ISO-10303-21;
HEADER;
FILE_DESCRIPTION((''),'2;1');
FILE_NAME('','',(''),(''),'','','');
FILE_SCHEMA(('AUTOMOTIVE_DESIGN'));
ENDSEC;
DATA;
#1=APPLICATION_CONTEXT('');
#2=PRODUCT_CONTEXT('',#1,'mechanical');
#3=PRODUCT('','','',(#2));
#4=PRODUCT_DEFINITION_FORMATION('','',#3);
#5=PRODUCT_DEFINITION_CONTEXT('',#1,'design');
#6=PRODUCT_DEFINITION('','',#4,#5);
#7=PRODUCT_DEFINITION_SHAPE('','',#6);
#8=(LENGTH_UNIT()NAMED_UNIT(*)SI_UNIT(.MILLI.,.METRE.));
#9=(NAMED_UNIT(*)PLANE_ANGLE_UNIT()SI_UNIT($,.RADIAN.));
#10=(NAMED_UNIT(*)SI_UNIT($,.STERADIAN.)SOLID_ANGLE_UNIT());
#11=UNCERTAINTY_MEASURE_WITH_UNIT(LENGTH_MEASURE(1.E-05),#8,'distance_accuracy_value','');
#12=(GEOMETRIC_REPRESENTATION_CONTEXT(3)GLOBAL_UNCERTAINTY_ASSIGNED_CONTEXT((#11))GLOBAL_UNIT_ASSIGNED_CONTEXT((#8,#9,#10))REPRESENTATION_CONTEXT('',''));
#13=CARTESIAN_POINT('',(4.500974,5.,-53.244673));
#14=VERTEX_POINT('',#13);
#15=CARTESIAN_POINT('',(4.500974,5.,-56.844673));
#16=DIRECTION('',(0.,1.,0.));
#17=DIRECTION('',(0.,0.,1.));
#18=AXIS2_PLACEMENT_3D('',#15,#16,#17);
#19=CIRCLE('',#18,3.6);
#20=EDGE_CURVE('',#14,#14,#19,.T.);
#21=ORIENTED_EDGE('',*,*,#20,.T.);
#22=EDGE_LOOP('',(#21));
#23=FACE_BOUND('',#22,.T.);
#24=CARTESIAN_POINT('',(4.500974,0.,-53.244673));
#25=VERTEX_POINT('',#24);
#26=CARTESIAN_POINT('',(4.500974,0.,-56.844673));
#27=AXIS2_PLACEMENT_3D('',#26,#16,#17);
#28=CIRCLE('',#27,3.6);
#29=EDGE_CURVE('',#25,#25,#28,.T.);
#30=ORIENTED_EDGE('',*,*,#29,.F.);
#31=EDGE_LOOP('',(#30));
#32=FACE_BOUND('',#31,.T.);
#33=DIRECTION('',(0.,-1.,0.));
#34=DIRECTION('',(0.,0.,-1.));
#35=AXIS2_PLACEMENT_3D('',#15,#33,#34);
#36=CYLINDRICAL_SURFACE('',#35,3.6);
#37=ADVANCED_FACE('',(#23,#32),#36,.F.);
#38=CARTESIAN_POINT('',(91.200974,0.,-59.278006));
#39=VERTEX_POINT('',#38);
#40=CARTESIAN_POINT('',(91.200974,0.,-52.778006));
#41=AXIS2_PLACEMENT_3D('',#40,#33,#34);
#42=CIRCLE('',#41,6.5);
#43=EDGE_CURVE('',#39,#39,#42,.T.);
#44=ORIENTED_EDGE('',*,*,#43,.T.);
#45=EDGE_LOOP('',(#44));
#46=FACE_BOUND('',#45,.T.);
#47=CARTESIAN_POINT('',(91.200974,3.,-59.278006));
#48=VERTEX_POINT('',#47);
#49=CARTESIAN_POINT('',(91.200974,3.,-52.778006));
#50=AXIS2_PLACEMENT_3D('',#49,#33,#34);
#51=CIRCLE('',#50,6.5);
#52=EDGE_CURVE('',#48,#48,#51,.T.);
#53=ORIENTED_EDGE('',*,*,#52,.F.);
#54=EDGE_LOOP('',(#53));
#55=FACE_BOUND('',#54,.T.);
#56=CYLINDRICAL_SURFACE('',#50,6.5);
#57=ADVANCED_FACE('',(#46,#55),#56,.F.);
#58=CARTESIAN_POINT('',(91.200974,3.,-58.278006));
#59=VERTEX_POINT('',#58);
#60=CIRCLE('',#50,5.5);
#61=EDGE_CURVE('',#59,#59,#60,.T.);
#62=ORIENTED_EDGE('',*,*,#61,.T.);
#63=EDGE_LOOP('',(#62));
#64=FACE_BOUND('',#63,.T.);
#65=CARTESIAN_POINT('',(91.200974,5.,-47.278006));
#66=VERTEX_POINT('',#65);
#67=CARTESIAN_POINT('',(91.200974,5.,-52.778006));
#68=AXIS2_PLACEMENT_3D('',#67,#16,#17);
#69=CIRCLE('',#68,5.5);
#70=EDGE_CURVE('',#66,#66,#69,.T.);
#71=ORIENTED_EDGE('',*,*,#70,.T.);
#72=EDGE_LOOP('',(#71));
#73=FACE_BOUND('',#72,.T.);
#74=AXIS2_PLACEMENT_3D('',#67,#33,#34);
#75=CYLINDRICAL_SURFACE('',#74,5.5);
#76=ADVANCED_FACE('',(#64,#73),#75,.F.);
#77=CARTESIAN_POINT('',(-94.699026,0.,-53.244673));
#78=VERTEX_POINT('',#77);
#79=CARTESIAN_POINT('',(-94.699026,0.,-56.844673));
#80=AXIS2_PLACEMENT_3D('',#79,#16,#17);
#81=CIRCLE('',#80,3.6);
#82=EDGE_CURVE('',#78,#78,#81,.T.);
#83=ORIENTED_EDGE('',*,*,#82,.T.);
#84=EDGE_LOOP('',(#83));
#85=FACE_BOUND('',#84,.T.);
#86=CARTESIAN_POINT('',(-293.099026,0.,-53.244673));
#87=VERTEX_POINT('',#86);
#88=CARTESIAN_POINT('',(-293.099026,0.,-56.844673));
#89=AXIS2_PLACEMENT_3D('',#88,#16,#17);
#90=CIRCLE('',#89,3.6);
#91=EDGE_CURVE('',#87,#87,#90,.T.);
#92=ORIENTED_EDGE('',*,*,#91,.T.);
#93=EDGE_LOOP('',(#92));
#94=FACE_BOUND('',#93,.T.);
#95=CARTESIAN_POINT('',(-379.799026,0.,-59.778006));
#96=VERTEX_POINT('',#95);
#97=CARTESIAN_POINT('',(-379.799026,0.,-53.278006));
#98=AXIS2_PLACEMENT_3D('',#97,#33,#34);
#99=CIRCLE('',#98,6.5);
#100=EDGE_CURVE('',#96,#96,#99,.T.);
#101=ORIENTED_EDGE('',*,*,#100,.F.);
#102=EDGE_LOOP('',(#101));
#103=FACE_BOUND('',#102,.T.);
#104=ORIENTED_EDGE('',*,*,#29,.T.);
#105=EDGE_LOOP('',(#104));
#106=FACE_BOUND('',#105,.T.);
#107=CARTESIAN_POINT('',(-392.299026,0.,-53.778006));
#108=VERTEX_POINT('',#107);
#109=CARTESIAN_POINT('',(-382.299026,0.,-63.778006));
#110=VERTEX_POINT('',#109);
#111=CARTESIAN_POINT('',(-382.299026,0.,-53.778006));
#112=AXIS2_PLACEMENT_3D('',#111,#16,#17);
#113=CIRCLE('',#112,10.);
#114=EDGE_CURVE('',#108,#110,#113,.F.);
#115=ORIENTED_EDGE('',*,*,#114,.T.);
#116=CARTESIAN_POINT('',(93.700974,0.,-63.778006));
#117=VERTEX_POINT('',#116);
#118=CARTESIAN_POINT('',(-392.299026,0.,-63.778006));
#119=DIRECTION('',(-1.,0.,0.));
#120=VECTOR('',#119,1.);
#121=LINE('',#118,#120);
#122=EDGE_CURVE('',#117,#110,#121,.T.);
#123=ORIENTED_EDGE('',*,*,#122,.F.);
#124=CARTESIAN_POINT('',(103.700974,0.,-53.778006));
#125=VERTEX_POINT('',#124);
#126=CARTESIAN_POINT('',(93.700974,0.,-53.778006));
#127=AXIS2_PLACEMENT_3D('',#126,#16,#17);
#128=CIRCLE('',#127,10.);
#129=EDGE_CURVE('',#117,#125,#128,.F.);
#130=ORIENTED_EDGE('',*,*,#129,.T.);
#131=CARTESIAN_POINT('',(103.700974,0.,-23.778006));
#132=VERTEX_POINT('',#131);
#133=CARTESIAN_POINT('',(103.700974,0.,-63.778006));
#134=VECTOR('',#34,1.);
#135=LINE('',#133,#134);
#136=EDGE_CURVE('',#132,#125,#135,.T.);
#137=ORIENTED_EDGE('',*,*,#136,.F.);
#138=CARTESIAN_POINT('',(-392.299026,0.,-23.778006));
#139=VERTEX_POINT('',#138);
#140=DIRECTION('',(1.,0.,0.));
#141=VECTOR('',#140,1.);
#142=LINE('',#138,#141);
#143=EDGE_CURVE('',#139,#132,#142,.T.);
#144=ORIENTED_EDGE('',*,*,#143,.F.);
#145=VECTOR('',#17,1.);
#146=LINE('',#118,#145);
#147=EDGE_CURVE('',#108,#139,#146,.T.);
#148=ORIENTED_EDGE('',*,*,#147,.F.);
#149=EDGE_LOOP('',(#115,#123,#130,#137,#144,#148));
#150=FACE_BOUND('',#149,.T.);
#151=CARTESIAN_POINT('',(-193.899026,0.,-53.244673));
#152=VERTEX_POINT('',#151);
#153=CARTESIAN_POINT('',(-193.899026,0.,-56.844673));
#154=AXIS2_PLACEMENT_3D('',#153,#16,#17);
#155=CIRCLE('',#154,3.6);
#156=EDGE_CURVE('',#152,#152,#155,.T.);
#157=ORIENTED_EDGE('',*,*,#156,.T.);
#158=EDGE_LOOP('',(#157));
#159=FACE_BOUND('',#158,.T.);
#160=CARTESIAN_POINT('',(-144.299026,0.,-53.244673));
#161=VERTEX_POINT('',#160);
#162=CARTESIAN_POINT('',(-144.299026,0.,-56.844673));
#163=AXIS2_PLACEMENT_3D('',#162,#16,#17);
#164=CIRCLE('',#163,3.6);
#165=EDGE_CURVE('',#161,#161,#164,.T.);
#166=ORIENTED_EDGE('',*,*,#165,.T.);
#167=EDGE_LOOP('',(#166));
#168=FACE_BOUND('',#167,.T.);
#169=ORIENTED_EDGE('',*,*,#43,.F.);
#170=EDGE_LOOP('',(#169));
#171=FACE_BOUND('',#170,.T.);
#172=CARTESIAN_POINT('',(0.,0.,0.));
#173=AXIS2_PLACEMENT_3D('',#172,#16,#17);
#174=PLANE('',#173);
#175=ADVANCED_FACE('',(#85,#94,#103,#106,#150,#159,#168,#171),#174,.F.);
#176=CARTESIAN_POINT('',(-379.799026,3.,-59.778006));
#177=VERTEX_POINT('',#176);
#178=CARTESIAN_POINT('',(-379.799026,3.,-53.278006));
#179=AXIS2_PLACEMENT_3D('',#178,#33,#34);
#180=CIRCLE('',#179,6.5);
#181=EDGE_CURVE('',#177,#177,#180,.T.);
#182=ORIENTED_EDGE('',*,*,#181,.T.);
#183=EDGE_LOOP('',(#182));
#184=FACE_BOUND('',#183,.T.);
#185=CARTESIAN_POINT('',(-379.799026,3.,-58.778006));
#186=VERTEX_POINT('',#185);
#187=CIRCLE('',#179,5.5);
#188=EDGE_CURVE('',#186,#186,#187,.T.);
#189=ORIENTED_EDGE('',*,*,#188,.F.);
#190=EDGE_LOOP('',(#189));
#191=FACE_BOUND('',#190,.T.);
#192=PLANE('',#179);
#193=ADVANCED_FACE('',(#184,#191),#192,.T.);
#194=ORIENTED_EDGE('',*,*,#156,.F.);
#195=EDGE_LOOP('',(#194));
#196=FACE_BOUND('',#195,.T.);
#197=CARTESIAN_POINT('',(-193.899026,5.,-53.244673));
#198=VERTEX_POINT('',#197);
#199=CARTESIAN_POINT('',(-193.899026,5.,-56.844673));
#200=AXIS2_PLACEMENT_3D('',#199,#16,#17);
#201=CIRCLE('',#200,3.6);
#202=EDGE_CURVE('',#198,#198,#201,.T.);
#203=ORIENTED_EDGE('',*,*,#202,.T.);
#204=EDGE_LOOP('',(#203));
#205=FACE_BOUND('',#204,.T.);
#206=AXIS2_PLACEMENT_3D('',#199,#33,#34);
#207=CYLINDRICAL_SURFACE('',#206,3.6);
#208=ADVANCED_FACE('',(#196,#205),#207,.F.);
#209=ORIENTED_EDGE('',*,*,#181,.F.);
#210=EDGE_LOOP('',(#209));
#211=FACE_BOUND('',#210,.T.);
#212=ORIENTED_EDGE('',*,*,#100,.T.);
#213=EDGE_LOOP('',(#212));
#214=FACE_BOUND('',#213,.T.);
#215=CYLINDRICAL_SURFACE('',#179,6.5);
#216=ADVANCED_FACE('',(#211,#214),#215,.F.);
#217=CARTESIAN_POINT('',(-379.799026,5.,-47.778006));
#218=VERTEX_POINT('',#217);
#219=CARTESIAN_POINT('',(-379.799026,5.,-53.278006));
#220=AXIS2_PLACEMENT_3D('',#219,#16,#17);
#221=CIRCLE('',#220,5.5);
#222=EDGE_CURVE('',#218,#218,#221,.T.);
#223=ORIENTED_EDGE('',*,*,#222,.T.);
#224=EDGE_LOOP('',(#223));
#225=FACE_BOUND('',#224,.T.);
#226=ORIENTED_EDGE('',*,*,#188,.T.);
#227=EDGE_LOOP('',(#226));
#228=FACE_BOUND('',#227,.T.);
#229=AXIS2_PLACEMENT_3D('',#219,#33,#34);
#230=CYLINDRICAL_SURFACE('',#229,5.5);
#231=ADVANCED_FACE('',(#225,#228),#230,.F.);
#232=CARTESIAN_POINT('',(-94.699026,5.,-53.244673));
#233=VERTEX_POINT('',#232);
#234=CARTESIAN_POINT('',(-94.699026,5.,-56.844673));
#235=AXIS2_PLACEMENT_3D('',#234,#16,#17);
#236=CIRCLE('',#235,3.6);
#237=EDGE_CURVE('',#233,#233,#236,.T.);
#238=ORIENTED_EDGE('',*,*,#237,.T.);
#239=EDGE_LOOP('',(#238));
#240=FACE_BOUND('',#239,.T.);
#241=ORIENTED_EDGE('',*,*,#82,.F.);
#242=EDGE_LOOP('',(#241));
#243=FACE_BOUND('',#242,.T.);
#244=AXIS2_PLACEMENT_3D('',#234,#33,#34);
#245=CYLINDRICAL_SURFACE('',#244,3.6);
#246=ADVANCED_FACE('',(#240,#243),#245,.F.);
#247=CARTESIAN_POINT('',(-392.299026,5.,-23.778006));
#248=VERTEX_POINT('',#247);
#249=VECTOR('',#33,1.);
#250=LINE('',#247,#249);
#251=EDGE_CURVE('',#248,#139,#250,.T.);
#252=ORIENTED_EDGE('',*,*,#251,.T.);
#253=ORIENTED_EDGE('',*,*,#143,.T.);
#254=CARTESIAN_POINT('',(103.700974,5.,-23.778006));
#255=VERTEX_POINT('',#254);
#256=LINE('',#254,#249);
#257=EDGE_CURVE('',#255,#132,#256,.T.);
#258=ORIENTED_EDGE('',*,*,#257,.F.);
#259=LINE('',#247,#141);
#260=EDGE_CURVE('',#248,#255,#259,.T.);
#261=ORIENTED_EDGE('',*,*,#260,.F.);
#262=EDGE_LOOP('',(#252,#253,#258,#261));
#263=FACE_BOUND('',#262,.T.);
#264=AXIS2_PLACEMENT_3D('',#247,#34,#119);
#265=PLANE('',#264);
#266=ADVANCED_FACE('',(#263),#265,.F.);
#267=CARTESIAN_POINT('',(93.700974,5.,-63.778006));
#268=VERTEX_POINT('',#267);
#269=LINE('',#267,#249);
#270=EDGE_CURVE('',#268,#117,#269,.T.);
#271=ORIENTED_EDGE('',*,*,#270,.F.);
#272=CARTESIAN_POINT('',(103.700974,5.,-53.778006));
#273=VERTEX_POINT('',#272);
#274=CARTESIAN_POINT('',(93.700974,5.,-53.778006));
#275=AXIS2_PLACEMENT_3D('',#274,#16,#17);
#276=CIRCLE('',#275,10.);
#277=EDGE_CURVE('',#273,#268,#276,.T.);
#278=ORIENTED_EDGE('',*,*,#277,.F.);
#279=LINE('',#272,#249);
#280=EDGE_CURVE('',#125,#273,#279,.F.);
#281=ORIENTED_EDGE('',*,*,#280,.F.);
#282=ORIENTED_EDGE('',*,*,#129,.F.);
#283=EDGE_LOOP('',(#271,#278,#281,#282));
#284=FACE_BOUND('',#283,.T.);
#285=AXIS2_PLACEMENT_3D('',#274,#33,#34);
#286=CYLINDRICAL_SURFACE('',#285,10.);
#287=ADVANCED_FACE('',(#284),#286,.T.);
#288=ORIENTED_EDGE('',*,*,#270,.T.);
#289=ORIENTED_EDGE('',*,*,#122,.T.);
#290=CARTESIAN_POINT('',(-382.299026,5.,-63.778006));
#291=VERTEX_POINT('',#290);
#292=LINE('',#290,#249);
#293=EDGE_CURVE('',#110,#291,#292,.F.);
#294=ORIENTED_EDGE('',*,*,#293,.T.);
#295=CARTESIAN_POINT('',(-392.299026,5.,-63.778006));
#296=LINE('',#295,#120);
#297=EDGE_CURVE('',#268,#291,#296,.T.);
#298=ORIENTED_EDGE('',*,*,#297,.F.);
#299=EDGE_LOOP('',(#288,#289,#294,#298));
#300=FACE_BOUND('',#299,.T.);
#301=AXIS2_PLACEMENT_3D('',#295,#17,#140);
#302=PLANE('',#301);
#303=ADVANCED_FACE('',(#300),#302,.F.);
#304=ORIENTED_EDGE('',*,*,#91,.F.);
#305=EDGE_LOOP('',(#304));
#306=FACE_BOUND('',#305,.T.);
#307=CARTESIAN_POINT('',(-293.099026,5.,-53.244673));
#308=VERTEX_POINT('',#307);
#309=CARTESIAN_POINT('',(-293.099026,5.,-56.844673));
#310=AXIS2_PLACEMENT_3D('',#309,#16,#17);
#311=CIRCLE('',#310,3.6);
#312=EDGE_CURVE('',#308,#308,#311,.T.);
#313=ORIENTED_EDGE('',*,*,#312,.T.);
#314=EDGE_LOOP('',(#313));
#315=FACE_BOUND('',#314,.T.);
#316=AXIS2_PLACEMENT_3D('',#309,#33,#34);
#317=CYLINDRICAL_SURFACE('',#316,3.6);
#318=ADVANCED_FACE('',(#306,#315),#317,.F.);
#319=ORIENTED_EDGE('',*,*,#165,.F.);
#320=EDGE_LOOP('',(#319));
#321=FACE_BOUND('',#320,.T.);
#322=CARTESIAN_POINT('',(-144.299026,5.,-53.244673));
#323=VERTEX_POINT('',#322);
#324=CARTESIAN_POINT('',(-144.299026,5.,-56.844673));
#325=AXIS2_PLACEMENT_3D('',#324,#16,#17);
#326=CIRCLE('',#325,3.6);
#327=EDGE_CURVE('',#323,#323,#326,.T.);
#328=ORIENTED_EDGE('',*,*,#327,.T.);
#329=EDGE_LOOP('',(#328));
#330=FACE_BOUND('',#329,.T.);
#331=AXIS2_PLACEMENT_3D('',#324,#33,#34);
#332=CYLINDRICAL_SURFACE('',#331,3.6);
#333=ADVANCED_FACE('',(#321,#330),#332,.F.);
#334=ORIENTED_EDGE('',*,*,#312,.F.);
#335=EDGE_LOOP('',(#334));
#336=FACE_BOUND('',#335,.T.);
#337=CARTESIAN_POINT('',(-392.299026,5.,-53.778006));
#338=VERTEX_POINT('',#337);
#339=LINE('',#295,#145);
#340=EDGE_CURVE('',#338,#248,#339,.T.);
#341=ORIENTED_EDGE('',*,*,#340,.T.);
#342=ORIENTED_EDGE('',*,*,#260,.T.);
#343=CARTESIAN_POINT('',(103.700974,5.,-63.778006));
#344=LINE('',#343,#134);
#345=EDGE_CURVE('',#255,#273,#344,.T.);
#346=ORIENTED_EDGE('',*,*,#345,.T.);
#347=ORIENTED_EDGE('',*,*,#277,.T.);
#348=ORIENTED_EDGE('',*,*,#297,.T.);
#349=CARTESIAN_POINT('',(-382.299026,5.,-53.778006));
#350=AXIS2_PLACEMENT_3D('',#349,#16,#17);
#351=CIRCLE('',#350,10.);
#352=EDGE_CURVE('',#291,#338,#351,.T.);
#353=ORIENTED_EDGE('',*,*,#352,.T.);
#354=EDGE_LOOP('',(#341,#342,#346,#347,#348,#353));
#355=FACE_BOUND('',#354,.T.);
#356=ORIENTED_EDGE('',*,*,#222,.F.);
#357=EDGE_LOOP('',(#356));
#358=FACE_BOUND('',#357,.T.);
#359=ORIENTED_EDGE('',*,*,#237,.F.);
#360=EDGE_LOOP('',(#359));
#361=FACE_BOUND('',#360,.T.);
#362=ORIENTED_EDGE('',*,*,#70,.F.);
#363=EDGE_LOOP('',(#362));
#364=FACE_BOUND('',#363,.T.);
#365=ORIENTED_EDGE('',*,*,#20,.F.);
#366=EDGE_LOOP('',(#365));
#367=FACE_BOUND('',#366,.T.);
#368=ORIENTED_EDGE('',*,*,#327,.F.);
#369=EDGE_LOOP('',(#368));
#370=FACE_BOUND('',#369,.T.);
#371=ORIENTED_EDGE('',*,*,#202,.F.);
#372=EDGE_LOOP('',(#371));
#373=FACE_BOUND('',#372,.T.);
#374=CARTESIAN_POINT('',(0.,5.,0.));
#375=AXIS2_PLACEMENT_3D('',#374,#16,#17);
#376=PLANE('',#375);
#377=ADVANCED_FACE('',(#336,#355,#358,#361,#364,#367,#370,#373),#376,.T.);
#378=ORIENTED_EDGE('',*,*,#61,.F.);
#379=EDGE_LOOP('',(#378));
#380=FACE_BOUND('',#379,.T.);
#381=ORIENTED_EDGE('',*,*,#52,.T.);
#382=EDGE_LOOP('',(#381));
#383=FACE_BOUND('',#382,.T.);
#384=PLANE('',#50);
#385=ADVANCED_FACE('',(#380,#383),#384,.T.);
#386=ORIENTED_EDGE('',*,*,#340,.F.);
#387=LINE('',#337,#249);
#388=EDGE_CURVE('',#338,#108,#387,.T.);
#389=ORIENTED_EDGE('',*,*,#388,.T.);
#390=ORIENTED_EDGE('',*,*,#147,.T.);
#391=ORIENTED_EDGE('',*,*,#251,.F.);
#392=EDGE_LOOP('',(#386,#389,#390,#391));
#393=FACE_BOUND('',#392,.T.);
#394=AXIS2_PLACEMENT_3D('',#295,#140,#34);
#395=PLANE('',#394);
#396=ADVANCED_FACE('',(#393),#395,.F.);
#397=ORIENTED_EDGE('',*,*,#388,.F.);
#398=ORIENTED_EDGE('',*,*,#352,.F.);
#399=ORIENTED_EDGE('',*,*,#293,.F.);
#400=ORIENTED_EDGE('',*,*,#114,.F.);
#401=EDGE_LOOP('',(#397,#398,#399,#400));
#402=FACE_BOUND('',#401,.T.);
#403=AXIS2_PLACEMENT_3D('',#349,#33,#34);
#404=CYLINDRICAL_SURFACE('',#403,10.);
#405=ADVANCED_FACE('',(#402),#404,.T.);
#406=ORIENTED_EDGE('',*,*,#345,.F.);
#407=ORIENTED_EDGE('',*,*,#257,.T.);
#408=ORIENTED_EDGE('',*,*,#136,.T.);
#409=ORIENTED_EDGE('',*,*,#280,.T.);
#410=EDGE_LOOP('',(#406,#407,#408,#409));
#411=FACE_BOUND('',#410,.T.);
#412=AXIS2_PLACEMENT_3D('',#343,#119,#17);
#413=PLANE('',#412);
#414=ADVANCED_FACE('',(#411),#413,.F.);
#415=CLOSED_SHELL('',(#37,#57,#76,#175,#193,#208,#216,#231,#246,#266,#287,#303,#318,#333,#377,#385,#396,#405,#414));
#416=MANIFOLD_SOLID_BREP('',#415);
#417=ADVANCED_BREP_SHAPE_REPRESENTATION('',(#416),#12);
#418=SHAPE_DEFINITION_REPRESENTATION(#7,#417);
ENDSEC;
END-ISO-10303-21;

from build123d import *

# Parameters (mm, degrees)
SKETCH1_W           = 496
SKETCH1_H           = 40
SKETCH1_R           = 5.5
SKETCH1_R_2         = 3.6
BOSS_EXTRUDE1_DEPTH = 5
SKETCH2_R           = 6.5
CUT_EXTRUDE1_DEPTH  = 3
FILLET1_R           = 10


with BuildPart() as part:
    # Sketch1 → Boss-Extrude1 (new body)
    with BuildSketch(Plane(origin=(0, 0, 0), x_dir=(1, 0, 0), z_dir=(0, 1, 0))):
        with Locations((-144.299026304, 43.778006447)):
            Rectangle(SKETCH1_W, SKETCH1_H)
        with Locations(Location((-379.799026304, 53.278006447, 0), (0, 0, 270))):
            Circle(SKETCH1_R, mode=Mode.SUBTRACT)
        with Locations(Location((91.200973696, 52.778006447, 0), (0, 0, 270))):
            Circle(SKETCH1_R, mode=Mode.SUBTRACT)
        with Locations(Location((-293.099026304, 56.844673113, 0), (0, 0, 270))):
            Circle(SKETCH1_R_2, mode=Mode.SUBTRACT)
        with Locations(Location((-193.899026304, 56.844673113, 0), (0, 0, 270))):
            Circle(SKETCH1_R_2, mode=Mode.SUBTRACT)
        with Locations(Location((-94.699026304, 56.844673113, 0), (0, 0, 270))):
            Circle(SKETCH1_R_2, mode=Mode.SUBTRACT)
        with Locations(Location((4.500973696, 56.844673113, 0), (0, 0, 270))):
            Circle(SKETCH1_R_2, mode=Mode.SUBTRACT)
        with Locations(Location((-144.299026304, 56.844673113, 0), (0, 0, 270))):
            Circle(SKETCH1_R_2, mode=Mode.SUBTRACT)
    extrude(amount=BOSS_EXTRUDE1_DEPTH)

    # Sketch2 → Cut-Extrude1 (cut)
    with BuildSketch(Plane.XZ):
        with Locations(Location((-379.799026304, -53.278006447, 0), (0, 0, 270))):
            Circle(SKETCH2_R)
        with Locations(Location((91.200973696, -52.778006447, 0), (0, 0, 270))):
            Circle(SKETCH2_R)
    extrude(amount=-CUT_EXTRUDE1_DEPTH, mode=Mode.SUBTRACT)

    # Fillet1
    fillet1_edges = [part.edges().sort_by_distance(p)[0] for p in [
        (-392.299026304, 2.5, -63.778006447),
        (103.700973696, 2.5, -63.778006447),
    ]]
    fillet(fillet1_edges, radius=FILLET1_R)


solid = part.part
